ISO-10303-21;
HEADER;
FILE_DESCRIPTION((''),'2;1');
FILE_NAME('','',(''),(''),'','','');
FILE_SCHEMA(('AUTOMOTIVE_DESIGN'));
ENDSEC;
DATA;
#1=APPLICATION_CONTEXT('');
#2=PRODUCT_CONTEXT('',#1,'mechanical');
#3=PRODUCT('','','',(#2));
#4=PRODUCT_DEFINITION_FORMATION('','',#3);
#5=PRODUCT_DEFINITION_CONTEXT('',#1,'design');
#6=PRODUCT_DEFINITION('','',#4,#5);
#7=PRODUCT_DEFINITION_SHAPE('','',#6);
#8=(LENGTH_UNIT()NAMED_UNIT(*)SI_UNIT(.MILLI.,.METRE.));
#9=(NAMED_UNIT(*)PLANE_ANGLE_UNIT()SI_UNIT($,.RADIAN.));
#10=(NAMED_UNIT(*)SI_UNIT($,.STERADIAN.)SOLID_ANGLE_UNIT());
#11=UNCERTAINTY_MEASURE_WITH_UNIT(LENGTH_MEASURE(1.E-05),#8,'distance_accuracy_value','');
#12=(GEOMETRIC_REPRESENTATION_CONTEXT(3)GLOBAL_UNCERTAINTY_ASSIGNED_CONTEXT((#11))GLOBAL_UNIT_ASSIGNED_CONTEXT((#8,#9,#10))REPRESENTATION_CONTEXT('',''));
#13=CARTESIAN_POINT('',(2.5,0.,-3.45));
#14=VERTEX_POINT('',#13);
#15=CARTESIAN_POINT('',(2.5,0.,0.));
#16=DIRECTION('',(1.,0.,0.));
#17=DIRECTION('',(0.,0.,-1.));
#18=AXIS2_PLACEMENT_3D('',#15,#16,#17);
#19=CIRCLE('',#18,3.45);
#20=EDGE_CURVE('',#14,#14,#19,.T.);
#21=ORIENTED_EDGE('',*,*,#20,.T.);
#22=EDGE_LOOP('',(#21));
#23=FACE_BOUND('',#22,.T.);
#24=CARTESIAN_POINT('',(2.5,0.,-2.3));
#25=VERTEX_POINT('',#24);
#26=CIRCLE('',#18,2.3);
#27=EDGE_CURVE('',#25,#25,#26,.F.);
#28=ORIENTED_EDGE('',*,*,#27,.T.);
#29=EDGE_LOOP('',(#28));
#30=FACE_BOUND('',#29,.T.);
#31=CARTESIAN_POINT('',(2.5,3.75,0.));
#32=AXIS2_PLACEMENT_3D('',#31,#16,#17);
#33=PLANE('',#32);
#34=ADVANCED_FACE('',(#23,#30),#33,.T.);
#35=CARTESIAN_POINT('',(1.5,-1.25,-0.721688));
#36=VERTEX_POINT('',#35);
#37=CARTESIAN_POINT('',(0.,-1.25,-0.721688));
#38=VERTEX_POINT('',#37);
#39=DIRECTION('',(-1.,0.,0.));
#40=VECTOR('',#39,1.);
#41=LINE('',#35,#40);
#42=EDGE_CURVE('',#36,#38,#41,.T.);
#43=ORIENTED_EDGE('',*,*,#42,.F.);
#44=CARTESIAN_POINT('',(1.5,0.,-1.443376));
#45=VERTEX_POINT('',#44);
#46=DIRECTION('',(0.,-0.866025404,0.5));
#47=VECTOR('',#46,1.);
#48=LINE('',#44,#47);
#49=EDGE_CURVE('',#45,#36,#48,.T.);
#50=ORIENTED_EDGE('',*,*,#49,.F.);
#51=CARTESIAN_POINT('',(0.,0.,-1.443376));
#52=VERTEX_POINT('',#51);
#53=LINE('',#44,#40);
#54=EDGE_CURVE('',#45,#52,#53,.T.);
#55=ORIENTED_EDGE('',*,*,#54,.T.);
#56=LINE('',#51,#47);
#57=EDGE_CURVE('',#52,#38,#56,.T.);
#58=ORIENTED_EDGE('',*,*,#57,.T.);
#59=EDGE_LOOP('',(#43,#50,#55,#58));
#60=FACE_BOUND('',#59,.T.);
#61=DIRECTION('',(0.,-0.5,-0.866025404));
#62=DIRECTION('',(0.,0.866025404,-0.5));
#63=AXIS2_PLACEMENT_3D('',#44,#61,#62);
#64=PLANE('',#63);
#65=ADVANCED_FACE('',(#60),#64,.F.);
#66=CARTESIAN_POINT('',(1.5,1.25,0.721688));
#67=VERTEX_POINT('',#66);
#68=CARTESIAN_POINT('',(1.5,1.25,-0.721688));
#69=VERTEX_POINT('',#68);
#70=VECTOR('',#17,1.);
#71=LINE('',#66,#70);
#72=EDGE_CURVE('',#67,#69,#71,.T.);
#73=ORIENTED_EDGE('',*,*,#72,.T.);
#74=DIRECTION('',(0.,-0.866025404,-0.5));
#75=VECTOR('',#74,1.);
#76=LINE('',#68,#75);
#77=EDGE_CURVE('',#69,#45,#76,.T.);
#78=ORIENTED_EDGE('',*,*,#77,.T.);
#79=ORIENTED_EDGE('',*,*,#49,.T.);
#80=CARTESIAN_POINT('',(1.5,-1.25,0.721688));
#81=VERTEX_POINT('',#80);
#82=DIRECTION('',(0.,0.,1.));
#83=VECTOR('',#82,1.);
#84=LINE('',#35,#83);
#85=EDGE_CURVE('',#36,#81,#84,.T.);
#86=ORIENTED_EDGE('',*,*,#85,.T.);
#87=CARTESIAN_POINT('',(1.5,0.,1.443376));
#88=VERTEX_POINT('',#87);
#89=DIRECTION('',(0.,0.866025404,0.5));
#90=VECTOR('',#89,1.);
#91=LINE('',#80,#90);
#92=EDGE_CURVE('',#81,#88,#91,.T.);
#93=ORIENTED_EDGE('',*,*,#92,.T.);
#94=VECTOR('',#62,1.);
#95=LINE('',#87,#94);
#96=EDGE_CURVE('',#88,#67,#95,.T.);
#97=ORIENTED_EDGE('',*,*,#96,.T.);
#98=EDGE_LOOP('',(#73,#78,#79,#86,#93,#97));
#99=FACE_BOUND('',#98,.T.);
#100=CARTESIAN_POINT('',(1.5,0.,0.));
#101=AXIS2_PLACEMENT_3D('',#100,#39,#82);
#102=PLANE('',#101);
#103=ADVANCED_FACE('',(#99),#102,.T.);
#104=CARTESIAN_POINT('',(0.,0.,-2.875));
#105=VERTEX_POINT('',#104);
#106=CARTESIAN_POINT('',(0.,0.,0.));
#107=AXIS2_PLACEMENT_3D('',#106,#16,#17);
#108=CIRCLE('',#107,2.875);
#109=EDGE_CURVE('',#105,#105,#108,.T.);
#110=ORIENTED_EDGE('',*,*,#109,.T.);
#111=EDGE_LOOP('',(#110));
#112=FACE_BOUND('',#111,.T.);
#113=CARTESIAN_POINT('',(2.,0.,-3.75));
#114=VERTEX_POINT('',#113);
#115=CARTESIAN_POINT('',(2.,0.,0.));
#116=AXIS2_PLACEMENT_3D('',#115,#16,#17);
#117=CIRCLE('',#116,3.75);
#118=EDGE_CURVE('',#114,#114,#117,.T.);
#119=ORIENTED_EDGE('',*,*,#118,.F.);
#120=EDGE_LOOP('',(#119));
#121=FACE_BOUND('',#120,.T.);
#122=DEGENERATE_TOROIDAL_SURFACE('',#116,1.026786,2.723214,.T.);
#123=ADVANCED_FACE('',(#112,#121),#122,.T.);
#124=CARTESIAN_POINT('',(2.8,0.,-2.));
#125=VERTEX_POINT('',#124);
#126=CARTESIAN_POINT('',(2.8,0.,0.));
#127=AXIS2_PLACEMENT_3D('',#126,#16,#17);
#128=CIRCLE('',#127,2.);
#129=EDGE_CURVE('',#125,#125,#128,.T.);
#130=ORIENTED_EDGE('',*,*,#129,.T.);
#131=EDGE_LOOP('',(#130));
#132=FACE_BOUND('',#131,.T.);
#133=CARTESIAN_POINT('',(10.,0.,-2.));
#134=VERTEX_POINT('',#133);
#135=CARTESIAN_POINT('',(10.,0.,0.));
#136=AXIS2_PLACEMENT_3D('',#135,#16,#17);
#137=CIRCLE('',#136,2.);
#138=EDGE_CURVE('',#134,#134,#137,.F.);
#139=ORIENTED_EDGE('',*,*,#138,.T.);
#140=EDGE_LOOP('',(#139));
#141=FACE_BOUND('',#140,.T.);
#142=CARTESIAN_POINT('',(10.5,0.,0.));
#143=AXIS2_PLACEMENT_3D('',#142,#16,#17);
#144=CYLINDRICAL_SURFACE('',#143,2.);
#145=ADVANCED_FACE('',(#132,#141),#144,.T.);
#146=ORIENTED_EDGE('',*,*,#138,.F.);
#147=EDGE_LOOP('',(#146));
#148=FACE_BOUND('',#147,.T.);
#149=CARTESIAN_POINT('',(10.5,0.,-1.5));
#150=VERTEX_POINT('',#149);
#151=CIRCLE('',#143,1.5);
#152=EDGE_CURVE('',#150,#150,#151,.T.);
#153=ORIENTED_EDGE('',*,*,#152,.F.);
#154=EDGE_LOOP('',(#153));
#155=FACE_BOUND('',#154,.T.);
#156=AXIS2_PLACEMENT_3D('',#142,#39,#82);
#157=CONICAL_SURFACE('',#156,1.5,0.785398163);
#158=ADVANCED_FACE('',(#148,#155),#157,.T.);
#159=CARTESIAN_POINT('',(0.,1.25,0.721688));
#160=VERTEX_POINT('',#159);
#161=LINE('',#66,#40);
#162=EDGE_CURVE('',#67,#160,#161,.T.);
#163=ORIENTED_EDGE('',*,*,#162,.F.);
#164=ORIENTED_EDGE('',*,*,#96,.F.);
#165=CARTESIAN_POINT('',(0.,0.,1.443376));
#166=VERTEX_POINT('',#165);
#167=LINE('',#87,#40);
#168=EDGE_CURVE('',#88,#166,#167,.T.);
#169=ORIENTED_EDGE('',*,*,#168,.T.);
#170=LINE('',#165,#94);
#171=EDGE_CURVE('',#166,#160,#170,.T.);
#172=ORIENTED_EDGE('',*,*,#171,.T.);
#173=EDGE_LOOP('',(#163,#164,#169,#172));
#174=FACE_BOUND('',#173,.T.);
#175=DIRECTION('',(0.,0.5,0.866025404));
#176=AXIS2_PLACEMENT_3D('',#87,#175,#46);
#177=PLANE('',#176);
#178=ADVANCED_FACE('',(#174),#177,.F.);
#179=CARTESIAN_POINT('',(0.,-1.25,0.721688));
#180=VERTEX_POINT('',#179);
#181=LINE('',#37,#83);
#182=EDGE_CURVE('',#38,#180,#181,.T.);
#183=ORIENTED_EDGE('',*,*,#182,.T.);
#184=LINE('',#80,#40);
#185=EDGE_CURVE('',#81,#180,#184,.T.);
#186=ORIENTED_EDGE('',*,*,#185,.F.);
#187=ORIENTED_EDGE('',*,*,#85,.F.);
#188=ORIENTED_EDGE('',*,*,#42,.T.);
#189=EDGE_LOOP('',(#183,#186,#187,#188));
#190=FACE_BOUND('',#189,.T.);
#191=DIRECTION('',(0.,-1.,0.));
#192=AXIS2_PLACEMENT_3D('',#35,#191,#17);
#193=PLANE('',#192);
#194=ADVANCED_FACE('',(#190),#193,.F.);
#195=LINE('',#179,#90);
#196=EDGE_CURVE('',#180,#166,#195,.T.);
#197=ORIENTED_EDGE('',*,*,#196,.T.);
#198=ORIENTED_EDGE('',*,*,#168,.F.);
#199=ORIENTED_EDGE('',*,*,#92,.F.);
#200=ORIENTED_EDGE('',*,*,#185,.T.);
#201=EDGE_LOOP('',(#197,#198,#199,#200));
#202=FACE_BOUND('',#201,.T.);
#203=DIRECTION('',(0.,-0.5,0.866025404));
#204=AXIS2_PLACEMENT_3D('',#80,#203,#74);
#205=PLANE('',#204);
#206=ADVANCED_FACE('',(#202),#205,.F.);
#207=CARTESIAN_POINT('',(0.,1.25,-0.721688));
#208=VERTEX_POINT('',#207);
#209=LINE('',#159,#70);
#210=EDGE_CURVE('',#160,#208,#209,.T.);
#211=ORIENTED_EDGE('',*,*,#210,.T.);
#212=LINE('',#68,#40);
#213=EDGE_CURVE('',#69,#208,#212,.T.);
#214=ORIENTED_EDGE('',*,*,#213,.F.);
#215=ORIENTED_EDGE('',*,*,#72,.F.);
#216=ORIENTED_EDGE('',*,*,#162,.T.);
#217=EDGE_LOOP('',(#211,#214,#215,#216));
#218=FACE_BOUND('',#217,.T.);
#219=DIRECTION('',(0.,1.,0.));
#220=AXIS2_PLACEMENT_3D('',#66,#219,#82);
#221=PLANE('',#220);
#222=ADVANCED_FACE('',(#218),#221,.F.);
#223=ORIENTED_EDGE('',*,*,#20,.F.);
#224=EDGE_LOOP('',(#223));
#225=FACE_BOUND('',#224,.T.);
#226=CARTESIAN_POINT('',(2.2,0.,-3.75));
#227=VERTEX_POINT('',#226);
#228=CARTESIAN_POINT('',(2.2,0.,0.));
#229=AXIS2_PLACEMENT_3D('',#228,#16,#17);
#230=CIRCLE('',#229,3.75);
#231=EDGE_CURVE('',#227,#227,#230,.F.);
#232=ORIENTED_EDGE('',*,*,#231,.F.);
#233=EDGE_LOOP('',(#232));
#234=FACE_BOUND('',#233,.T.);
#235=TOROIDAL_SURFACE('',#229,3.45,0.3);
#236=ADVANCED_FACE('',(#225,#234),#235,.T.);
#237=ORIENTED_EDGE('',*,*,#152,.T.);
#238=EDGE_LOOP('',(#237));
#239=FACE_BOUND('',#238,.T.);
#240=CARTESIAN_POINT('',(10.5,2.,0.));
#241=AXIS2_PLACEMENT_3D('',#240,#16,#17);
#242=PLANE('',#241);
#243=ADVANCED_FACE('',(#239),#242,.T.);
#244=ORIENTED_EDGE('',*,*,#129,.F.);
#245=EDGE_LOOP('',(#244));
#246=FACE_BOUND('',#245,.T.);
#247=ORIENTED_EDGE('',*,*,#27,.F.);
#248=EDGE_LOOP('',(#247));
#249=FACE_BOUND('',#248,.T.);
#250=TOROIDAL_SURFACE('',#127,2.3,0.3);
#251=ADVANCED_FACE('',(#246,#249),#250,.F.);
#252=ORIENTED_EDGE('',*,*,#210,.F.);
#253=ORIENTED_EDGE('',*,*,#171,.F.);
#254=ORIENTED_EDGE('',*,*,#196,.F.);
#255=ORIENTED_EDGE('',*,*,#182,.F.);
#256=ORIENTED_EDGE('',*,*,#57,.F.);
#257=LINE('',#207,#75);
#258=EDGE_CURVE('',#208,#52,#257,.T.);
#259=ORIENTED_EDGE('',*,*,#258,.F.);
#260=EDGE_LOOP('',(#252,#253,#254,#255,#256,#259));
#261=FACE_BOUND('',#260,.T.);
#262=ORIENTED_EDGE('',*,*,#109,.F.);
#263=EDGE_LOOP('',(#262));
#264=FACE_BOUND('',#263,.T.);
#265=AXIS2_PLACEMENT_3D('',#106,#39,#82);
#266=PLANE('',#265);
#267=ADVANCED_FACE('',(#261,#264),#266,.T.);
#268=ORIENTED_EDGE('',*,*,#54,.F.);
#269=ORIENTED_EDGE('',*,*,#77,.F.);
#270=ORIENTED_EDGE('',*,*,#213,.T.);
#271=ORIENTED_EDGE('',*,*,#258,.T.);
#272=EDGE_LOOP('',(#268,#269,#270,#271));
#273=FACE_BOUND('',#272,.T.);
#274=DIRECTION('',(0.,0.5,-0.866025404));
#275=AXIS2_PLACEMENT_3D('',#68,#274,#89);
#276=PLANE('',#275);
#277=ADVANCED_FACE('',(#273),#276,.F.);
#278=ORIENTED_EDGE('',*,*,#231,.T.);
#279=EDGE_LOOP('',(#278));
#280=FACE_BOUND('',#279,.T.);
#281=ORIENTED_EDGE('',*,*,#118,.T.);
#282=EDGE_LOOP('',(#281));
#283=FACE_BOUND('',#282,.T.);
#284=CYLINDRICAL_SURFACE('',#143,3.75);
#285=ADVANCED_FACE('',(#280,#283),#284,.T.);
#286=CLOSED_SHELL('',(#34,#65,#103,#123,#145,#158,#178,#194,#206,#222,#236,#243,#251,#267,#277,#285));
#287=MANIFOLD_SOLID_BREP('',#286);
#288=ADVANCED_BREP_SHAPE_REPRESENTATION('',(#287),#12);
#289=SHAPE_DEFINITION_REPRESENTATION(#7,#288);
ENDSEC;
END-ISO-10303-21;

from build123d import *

# Parameters (mm, degrees)
CUT_EXTRUDE_1_DEPTH = 1.5
FILLET_1_R          = 0.3
CHAMFER_1_SIZE      = 0.5


with BuildPart() as part:
    # Эскиз1 → Повернуть1 (revolve)
    with BuildSketch(Plane.XY, mode=Mode.PRIVATE) as revolve_1_sk:
        with BuildLine():
            Line((0, 0), (0, 2.875))
            ThreePointArc((0, 2.875), (0.908484425, 3.521678457), (2, 3.75))
            Line((2, 3.75), (2.5, 3.75))
            Line((2.5, 3.75), (2.5, 2))
            Line((2.5, 2), (10.5, 2))
            Line((10.5, 2), (10.5, 0))
            Line((10.5, 0), (0, 0))
        make_face()
    revolve(revolve_1_sk.sketch.rotate(Axis((10.5, 0, 0), (-1, 0, 0)), 90), axis=Axis((10.5, 0, 0), (-1, 0, 0)))  # turned: the seam where the file's is

    # Эскиз2 → Вырез-Вытянуть1 (cut)
    with BuildSketch(Plane.ZY):
        Polygon((0.721687836, 1.25), (-0.721687836, 1.25), (-1.443375673, 0), (-0.721687836, -1.25), (0.721687836, -1.25), (1.443375673, 0), align=None)
    extrude(amount=-CUT_EXTRUDE_1_DEPTH, mode=Mode.SUBTRACT)

    # Скругление1
    fillet_1_edges = [part.edges().sort_by_distance(p)[0] for p in [
        (2.5, 0, 2),
        (2.5, 0, 3.75),
    ]]
    fillet(fillet_1_edges, radius=FILLET_1_R)

    # Фаска1
    chamfer_1_edges = [part.edges().sort_by_distance(p)[0] for p in [
        (10.5, 0, 2),
    ]]
    chamfer(chamfer_1_edges, length=CHAMFER_1_SIZE)


solid = part.part
